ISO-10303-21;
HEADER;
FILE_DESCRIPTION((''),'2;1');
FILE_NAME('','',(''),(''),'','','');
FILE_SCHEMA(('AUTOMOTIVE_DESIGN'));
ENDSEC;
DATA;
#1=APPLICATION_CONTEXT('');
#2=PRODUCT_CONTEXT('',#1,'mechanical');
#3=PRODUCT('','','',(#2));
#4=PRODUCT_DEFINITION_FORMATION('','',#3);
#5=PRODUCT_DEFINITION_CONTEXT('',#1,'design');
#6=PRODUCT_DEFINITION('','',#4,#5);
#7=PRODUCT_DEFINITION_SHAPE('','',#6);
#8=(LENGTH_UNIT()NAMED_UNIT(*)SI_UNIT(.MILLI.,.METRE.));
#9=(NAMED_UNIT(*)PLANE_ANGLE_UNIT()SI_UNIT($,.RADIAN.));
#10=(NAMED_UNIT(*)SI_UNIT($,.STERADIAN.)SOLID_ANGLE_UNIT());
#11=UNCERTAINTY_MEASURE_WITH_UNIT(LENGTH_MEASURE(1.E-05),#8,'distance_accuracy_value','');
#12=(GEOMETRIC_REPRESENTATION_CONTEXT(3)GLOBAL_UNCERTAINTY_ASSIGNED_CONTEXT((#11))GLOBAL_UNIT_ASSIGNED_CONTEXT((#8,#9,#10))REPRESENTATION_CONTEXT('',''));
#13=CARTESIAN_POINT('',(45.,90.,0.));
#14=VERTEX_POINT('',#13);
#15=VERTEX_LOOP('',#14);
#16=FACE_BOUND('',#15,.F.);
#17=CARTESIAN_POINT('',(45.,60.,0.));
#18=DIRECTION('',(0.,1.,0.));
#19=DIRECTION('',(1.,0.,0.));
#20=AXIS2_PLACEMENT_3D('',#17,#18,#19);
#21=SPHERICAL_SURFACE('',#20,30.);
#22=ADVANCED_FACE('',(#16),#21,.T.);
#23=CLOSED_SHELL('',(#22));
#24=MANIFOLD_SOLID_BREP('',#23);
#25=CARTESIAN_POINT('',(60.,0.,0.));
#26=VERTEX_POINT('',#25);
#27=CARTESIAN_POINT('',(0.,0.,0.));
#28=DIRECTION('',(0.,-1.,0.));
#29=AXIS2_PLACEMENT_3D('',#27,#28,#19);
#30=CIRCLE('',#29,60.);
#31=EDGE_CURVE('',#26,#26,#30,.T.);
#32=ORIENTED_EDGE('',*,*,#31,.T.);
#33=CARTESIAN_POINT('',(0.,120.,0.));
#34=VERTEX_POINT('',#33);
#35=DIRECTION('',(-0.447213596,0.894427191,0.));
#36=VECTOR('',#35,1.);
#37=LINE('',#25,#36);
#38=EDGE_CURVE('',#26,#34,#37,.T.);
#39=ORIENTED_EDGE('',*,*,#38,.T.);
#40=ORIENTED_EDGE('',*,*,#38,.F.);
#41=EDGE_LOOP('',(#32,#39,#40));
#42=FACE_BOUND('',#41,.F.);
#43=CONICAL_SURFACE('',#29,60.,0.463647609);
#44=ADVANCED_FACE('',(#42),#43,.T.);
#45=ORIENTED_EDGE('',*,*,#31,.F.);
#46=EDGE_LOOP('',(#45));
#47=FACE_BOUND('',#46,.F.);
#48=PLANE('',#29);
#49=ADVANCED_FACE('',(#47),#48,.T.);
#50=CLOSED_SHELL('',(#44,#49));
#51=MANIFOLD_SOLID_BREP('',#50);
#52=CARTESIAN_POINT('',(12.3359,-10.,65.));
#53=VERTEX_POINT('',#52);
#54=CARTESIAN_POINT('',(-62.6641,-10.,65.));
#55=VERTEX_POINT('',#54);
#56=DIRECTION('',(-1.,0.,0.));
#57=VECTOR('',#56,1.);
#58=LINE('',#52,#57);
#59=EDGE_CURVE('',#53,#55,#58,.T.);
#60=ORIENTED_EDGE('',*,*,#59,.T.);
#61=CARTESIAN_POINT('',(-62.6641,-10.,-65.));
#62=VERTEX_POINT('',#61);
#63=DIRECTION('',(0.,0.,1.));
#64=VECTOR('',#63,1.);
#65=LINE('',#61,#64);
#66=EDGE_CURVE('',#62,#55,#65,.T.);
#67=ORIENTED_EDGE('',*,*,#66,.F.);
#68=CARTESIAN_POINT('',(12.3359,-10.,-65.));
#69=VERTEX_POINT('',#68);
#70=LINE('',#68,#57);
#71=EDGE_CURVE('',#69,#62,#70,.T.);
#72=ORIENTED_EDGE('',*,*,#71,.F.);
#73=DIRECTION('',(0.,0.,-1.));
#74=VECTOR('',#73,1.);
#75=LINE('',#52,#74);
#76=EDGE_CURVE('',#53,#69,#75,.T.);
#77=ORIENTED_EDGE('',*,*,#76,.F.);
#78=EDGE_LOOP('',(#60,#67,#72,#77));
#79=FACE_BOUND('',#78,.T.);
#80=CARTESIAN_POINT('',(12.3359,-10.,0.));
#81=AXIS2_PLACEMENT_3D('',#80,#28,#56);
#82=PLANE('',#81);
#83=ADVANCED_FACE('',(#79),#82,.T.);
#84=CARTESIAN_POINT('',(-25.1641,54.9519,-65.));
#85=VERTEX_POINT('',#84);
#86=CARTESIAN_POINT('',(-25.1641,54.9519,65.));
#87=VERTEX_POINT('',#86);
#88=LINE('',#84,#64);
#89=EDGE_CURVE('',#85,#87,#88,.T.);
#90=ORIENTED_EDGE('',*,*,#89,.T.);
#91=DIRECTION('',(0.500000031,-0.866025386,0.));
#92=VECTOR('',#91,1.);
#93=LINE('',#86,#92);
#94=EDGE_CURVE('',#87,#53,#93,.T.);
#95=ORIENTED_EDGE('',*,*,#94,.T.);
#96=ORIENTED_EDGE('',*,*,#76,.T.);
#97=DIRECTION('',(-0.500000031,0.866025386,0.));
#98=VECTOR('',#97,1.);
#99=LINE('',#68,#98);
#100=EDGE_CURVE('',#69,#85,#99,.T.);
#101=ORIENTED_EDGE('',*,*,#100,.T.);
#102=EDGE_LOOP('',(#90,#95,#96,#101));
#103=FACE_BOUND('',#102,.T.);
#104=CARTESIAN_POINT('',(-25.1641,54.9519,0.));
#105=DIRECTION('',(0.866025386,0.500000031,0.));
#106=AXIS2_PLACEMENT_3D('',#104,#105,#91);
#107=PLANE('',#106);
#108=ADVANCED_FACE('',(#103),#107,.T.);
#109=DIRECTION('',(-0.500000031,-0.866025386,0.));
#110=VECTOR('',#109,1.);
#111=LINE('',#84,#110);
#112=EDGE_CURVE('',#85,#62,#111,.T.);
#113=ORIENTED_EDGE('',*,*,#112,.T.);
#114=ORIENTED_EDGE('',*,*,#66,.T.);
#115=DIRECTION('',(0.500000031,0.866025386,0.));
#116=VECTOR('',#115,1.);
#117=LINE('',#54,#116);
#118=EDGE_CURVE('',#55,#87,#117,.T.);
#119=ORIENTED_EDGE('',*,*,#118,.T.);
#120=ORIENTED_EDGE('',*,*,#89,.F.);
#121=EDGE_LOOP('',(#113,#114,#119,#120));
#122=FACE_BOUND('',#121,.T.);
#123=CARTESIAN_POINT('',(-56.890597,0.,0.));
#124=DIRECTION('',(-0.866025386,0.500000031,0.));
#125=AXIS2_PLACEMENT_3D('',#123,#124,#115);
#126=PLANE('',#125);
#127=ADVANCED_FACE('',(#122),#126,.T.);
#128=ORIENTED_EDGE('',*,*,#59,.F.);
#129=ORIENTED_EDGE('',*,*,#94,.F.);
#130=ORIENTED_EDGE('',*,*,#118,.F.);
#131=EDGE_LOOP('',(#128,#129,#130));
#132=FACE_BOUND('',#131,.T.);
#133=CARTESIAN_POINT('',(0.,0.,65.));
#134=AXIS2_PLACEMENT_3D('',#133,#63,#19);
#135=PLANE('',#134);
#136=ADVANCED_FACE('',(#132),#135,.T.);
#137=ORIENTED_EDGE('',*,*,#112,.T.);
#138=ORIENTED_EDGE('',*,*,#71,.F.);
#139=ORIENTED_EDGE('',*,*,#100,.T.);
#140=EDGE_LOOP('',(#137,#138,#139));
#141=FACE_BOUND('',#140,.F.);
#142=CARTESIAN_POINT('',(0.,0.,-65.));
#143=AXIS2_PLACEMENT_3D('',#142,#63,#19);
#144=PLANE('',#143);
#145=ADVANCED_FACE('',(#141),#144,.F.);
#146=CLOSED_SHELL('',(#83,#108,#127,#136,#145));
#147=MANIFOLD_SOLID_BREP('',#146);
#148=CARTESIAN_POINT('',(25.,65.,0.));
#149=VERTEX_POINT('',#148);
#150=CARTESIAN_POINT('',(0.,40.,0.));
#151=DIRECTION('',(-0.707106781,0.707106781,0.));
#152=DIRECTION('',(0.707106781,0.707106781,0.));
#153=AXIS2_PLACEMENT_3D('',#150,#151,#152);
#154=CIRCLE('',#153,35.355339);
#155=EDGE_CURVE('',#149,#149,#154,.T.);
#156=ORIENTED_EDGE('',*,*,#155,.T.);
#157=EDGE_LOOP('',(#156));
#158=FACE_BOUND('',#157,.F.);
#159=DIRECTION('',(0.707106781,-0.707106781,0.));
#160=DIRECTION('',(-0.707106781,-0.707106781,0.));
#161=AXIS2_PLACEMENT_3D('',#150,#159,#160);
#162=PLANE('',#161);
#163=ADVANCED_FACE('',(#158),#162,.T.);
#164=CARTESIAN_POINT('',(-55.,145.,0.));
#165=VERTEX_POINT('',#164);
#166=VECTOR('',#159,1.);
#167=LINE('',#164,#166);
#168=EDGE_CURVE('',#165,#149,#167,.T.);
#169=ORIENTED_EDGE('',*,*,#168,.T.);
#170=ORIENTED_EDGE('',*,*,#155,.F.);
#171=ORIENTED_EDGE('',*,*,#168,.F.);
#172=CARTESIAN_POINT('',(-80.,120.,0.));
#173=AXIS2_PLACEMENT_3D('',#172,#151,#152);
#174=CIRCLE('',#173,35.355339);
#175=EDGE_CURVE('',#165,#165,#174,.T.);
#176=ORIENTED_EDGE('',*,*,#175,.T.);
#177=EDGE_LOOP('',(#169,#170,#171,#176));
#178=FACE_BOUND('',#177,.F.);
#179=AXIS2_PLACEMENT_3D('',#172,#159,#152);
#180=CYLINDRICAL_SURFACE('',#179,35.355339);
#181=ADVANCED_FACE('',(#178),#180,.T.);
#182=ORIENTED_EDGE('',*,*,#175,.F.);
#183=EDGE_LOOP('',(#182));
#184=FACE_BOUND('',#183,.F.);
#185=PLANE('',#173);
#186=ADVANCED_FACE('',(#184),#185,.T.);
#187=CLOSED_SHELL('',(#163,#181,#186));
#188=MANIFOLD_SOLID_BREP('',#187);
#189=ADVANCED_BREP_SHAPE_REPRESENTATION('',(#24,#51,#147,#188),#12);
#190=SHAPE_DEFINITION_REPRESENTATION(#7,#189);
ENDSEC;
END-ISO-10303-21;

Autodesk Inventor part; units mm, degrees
ref_plane "YZ Plane" through (0, 0, 0) normal (1, 0, 0) x (0, 1, 0)
ref_plane "XZ Plane" through (0, 0, 0) normal (0, 1, 0) x (-1, 0, 0)
ref_plane "XY Plane" through (0, 0, 0) normal (0, 0, 1) x (1, 0, 0)
sketch "Эскиз1" plane through (0, 0, 0) normal (0, 0, 1) x (1, 0, 0)
  line L0 (0, 0) -> (60, 0)
  line L1 (60, 0) -> (0, 120)
  line L2 (0, 120) -> (0, 0)
  dimension "d0" = 60
  dimension "d1" = 120
revolve "Вращение1" add sketch "Эскиз1" angle 360 about axis through (0, 120, 0) along (0, -1, 0)
sketch "Эскиз2" plane through (0, 0, 0) normal (0, 0, 1) x (1, 0, 0)
  line L0 (-60, 0) -> (60, 0) projected
  line L1 (0, 120) -> (60, 0) projected
  line L2 (45, 90) -> (45, 30)
  arc A0 (45, 30) -> (45, 90) centre (45, 60) ccw
  point P0 (0, 0)
revolve "Вращение2" add sketch "Эскиз2" angle 360 about axis through (45, 90, 0) along (0, -1, 0) separate body
sketch "Эскиз5" plane through (0, 0, 0) normal (0, 0, 1) x (1, 0, 0)
  line L0 (-25.1641, 54.9519) -> (12.3359, -10)
  line L1 (12.3359, -10) -> (-62.6641, -10)
  line L2 (-62.6641, -10) -> (-25.1641, 54.9519)
  line L3 (-60, 0) -> (60, 0) projected
  point P0 (0, 0)
  dimension "d10" = 75
  dimension "d11" = 60
  dimension "d12" = 60
  dimension "d19" = 10
extrude "Выдавливание1" add sketch "Эскиз5" along normal mid plane 130 separate body
sketch "Эскиз6" plane through (0, 0, 0) normal (0, 0, 1) x (1, 0, 0)
  line L0 (0, 0) -> (0, 40)
  line L1 (0, 40) -> (-80, 120)
  line L2 (-80, 120) -> (-55, 145)
  line L3 (-55, 145) -> (25, 65)
  line L4 (25, 65) -> (0, 40)
  dimension "d22" = 40
  dimension "d23" = 25
  dimension "d25" = 80
  dimension "d26" = 135
revolve "Вращение3" add sketch "Эскиз6" angle 360 about axis through (0, 40, 0) along (-0.7071, 0.7071, 0) separate body
properties part number "Лаба3"
